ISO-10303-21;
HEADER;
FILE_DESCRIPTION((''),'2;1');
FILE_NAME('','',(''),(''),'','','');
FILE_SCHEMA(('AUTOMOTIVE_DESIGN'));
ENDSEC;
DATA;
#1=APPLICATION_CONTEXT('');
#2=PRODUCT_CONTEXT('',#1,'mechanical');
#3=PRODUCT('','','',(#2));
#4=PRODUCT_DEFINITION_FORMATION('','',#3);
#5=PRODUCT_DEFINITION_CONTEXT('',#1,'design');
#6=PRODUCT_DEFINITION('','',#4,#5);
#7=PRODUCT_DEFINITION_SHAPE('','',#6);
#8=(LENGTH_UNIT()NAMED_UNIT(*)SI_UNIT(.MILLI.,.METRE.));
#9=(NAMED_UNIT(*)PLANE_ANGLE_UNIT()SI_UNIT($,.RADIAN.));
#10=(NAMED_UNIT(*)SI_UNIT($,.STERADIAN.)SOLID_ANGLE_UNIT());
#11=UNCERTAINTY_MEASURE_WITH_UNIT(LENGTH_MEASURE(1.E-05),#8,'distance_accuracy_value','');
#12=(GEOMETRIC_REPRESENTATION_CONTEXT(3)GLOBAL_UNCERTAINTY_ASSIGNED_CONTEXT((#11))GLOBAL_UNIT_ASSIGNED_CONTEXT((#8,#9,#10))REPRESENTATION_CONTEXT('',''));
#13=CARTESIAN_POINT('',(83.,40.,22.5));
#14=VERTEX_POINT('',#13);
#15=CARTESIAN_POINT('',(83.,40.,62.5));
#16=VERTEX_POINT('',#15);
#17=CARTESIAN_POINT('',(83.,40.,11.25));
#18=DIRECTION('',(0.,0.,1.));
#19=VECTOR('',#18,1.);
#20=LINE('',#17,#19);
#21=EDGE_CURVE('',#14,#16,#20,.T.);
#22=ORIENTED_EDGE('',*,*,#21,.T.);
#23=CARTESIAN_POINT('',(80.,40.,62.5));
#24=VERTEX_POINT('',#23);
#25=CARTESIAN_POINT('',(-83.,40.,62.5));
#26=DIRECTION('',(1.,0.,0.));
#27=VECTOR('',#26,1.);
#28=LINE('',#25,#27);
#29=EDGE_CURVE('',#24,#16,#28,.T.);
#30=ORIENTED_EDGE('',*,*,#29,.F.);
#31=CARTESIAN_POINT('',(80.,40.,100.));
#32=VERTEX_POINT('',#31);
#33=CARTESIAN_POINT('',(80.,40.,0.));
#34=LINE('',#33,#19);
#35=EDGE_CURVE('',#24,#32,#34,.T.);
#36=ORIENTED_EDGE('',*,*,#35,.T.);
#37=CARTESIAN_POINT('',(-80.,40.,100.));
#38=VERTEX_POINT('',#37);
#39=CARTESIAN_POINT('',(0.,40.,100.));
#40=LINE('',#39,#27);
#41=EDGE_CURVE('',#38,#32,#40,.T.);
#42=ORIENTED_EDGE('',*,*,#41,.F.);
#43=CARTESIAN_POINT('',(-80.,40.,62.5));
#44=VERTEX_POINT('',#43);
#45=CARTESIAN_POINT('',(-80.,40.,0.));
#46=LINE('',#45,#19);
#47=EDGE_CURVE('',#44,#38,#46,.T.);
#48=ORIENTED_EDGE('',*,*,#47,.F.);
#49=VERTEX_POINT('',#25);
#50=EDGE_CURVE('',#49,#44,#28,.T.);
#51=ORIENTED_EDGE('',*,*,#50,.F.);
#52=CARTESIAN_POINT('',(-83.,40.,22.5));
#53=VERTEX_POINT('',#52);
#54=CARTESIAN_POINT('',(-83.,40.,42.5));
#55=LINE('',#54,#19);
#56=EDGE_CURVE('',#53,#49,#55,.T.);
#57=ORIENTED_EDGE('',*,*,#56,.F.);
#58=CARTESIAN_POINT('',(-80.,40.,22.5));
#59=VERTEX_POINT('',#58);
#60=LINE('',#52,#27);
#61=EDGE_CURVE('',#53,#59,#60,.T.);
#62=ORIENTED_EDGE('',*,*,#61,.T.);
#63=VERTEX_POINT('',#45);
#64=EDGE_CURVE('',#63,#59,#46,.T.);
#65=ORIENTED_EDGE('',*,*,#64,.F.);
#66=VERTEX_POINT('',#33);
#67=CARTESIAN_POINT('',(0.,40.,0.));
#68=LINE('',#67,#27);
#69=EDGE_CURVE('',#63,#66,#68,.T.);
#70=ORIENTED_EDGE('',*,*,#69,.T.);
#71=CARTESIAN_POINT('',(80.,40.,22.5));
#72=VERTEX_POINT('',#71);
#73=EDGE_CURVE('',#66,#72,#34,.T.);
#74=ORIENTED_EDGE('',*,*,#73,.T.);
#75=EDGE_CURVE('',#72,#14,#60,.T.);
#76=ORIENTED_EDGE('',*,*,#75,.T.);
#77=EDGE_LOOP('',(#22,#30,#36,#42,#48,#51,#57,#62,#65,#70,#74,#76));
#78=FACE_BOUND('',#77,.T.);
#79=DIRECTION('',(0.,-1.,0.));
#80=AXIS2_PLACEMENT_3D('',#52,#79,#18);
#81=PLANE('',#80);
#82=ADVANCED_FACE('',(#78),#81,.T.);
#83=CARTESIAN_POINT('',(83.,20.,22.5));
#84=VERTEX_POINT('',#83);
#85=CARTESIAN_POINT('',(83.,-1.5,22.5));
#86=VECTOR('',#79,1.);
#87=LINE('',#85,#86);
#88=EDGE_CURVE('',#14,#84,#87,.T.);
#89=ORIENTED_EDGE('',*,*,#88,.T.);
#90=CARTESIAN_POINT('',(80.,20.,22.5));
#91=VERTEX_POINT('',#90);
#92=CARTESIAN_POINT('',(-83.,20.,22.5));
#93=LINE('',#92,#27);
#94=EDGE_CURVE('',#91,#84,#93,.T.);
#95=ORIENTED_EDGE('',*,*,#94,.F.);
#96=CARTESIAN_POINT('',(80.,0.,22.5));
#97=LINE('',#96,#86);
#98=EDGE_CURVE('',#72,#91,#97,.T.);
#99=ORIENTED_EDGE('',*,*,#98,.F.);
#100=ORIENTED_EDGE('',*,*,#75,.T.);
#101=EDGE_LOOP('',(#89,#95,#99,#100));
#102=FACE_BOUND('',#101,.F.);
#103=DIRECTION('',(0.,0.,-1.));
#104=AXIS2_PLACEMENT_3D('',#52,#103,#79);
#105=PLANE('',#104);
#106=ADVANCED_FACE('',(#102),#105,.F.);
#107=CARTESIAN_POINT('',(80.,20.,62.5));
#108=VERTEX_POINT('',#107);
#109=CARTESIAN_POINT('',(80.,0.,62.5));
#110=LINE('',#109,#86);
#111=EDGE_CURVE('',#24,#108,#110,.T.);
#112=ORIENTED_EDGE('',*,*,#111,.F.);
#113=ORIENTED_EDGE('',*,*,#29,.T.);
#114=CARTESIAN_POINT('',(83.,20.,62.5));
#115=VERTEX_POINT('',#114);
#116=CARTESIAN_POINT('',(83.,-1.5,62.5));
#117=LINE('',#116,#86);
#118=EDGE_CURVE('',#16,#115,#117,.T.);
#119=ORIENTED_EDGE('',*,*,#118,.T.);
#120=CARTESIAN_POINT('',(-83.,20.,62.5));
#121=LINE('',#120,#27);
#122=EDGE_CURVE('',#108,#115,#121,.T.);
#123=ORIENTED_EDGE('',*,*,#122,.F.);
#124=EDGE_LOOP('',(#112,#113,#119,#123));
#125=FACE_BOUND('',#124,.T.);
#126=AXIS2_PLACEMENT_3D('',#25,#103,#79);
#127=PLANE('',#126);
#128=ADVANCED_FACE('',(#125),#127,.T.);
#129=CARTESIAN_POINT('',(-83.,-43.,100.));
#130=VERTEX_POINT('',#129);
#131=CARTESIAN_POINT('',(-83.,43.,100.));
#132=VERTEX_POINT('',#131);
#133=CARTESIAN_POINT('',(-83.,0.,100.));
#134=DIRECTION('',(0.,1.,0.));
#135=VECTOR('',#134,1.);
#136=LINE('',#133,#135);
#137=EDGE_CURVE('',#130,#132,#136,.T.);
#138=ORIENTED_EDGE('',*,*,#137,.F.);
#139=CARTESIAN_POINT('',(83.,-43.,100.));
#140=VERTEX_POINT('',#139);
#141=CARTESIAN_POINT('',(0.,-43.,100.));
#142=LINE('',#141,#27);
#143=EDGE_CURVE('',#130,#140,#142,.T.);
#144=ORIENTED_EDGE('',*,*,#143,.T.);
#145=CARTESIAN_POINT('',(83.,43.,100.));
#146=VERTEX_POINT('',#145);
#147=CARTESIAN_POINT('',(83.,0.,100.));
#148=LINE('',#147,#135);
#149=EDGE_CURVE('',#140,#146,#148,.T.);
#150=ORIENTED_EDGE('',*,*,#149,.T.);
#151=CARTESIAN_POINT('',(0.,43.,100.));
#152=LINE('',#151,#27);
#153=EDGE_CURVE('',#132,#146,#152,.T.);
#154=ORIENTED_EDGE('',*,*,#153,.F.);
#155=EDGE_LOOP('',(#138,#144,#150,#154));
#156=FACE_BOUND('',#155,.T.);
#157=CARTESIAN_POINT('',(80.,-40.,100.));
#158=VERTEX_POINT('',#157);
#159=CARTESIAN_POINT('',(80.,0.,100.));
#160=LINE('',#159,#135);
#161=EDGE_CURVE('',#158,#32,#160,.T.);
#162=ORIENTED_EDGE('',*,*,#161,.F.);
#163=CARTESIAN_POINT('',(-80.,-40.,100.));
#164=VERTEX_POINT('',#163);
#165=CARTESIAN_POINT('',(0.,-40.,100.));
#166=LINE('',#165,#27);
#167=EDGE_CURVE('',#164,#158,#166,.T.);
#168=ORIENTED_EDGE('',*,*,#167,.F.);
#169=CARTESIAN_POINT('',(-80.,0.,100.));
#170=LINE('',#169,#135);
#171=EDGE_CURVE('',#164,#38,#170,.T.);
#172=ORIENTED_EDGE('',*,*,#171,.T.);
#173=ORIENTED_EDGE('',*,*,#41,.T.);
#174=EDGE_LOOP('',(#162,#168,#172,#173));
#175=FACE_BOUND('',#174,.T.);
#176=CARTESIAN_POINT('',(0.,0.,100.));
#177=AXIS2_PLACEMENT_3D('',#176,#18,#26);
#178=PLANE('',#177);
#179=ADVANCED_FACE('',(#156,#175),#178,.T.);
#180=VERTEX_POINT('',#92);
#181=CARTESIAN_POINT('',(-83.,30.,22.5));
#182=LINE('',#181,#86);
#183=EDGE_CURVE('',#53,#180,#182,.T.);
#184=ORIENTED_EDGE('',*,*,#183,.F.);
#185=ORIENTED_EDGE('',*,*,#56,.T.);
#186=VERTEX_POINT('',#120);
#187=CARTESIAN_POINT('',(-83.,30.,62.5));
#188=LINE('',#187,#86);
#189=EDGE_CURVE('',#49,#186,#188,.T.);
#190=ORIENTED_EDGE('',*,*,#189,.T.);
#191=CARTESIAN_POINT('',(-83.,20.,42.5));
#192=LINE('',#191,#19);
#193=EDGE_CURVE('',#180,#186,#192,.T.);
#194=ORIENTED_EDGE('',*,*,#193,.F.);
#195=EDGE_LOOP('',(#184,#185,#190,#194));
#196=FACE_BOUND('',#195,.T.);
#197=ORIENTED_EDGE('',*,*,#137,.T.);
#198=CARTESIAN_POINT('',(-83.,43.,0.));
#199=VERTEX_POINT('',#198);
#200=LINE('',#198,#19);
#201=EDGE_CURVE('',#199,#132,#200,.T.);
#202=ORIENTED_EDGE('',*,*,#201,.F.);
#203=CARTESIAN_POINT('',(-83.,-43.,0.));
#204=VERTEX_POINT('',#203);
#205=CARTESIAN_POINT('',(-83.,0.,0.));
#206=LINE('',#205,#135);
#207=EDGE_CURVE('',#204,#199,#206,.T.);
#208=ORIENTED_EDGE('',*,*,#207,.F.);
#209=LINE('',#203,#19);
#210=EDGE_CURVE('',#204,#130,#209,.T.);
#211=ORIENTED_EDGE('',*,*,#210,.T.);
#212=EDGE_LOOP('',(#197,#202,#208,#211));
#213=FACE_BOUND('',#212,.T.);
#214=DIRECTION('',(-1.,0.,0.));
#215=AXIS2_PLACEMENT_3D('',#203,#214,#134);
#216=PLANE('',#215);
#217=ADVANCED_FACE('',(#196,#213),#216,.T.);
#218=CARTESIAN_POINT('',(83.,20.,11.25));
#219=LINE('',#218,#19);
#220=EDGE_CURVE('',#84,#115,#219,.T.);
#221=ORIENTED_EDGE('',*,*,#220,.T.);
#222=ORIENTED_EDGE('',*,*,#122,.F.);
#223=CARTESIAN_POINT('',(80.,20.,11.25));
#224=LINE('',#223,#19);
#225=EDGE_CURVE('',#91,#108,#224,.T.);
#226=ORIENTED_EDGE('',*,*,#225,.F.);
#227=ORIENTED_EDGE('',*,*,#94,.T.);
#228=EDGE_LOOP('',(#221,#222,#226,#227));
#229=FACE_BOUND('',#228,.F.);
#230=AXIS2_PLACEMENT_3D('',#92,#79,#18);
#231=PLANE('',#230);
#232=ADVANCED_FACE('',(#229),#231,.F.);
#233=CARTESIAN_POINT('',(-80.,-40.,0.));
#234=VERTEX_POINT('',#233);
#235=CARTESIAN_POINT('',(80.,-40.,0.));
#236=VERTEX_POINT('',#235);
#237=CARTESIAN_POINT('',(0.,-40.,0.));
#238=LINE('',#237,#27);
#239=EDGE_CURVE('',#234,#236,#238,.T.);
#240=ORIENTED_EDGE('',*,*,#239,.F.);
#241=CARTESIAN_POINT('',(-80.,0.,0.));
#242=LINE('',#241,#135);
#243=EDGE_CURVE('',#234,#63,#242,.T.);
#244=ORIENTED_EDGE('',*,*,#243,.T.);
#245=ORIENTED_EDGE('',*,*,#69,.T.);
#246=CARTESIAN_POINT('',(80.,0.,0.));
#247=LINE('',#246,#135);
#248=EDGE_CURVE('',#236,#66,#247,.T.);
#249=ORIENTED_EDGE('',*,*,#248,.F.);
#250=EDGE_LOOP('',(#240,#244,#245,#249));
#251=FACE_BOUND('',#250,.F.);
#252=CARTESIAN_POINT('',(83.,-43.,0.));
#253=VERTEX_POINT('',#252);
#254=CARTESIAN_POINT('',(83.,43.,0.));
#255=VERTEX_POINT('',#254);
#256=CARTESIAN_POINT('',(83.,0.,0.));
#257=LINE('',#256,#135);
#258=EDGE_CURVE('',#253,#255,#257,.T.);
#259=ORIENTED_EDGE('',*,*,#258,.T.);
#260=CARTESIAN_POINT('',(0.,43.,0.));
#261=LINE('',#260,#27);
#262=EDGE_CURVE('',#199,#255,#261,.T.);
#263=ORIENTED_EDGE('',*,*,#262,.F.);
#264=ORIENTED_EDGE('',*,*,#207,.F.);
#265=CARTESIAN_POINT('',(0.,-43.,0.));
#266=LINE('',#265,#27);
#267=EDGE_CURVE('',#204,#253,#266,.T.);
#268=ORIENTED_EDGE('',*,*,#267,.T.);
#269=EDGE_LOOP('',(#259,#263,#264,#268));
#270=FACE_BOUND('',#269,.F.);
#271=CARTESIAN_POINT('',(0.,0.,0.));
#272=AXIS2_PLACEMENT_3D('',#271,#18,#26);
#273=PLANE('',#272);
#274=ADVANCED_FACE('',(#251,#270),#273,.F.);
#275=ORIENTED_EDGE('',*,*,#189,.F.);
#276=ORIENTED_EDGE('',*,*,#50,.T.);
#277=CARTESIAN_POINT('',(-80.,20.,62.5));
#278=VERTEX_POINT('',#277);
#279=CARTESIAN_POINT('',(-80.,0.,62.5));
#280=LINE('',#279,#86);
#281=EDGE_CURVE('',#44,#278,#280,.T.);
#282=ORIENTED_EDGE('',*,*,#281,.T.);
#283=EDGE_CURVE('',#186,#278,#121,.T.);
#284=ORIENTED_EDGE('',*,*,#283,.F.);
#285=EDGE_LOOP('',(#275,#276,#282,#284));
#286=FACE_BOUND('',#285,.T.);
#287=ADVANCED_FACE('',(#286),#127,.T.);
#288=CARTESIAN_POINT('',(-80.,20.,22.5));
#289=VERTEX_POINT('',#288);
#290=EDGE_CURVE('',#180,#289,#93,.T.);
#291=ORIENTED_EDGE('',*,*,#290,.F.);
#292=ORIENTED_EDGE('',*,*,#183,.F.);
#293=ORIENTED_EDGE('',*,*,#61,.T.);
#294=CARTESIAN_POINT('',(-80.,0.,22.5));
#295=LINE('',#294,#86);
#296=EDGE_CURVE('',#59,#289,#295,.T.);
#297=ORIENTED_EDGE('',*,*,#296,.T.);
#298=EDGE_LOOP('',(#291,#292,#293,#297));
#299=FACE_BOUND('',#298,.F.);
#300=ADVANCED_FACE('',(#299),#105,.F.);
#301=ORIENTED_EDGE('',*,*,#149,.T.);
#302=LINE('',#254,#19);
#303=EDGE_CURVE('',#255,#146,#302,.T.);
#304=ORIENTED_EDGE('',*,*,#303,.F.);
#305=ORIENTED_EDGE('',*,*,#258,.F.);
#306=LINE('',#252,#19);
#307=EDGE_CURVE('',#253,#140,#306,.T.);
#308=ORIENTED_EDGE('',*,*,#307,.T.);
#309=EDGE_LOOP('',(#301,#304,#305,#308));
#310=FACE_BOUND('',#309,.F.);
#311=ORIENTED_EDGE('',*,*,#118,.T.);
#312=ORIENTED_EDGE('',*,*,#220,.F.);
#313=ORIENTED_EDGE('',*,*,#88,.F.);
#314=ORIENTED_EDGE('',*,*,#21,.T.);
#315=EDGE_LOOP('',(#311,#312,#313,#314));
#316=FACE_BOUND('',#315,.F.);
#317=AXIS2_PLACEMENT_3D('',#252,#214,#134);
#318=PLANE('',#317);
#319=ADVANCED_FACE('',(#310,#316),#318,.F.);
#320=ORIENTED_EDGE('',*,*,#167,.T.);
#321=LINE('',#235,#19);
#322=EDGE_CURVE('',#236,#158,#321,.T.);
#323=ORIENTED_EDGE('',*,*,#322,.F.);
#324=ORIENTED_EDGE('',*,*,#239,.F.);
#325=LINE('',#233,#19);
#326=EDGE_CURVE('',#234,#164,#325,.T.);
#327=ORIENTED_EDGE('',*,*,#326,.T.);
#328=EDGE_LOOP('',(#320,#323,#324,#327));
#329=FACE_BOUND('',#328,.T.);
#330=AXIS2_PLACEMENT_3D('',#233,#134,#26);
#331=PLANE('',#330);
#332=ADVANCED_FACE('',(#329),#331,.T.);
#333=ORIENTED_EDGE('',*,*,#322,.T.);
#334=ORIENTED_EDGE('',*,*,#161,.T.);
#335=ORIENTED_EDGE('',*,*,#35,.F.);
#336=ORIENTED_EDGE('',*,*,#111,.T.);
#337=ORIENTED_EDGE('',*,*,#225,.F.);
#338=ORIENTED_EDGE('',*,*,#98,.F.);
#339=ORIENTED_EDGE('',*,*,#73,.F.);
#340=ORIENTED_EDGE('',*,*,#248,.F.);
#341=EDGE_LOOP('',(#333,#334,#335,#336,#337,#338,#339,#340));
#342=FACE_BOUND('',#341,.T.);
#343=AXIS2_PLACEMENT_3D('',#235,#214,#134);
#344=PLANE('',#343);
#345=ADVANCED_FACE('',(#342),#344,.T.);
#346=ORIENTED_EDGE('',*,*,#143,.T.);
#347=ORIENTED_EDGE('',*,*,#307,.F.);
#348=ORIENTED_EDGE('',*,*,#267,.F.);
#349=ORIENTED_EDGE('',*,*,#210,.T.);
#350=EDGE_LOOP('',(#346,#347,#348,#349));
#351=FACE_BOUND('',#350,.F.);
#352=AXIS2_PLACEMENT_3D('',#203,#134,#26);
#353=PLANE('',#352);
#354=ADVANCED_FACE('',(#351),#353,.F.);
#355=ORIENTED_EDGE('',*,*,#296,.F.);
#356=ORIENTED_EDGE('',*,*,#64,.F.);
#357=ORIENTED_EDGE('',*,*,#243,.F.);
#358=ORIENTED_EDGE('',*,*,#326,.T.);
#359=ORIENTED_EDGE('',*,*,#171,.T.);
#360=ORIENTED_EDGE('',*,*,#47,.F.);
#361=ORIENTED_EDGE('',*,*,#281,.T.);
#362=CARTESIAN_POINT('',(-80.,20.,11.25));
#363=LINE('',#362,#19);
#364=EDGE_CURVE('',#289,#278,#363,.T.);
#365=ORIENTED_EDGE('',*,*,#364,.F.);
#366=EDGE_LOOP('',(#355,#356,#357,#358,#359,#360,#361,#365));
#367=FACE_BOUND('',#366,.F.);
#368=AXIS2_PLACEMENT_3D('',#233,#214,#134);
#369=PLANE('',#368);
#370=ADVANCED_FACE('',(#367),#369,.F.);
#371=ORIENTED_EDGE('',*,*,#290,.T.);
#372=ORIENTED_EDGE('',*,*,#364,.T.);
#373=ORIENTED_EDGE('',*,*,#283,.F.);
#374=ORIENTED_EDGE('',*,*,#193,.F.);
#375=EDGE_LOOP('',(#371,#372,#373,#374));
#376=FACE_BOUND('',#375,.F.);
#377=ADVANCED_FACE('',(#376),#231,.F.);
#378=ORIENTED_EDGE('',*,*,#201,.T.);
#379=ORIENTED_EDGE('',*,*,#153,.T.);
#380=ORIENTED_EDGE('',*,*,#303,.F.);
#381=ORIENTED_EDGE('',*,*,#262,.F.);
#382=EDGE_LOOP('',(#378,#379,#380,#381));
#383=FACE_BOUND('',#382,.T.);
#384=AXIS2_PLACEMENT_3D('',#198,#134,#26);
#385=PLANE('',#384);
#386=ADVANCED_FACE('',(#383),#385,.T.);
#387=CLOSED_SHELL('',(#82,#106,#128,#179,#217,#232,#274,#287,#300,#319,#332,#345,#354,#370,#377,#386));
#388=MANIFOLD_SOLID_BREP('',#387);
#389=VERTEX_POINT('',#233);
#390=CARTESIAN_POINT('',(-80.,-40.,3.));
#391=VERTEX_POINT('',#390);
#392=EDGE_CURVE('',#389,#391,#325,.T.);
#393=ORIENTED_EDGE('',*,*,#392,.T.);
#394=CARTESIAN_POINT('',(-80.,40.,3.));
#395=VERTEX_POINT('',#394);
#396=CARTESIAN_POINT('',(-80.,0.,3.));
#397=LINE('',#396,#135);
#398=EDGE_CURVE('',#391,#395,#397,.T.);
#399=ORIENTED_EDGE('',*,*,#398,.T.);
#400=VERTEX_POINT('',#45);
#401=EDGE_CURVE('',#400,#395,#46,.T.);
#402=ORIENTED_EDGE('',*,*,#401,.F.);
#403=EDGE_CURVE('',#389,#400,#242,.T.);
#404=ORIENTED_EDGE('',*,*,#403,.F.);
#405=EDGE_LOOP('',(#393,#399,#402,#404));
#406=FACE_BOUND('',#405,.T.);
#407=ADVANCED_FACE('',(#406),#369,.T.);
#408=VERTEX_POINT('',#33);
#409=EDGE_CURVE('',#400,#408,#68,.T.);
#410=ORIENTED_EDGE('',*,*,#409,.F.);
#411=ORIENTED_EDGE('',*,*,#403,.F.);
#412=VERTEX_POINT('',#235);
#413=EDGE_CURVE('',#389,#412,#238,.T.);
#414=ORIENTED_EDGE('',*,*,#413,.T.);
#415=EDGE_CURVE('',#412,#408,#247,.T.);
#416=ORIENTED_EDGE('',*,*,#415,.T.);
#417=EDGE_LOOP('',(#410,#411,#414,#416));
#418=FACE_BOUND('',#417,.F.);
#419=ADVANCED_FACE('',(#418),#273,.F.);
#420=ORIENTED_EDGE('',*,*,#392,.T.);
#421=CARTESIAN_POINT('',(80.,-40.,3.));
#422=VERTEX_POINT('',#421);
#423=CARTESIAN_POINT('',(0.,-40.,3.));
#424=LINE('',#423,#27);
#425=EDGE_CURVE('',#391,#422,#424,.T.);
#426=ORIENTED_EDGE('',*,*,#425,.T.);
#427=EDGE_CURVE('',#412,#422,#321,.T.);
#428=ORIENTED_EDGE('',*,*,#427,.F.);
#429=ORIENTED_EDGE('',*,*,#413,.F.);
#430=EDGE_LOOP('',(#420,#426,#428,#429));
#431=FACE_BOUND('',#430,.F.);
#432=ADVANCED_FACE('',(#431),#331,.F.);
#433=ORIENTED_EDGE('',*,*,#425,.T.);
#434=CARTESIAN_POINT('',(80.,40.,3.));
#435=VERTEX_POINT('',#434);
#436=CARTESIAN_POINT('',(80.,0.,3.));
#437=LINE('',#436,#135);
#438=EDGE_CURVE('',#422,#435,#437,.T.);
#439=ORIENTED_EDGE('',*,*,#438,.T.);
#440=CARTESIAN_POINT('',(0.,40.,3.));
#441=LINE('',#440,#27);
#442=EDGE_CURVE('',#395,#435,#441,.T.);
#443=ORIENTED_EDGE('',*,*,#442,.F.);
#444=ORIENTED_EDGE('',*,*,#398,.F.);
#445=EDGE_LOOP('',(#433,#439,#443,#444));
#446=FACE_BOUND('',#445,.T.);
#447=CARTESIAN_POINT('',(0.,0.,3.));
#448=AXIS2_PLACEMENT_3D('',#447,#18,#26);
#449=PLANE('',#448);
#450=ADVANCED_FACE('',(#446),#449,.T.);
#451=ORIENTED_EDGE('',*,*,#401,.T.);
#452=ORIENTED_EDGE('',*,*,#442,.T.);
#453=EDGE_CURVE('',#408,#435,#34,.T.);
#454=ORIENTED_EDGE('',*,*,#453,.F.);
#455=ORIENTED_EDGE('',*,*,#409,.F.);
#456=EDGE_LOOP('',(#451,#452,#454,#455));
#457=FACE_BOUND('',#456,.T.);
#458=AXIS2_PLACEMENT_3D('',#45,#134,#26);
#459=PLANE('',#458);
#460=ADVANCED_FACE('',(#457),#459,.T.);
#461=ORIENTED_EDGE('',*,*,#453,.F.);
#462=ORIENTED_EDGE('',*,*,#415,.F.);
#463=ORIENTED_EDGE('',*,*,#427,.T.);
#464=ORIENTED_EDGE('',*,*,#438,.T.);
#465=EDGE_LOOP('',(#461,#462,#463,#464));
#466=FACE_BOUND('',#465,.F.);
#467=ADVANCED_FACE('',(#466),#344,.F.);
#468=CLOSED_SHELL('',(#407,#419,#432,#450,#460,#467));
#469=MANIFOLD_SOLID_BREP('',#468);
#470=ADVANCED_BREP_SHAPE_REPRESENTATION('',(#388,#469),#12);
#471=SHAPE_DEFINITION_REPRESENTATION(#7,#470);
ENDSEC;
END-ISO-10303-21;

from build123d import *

# Parameters (mm, degrees)
F0_W     = 160
F0_H     = 80
F1_DEPTH = 3
F0_W_2   = 166
F0_H_2   = 86
F2_DEPTH = 100
F3_W     = 20
F3_H     = 40
F4_DEPTH = 166.001


with BuildPart() as f1:
    # F0 (on Top) → F1 (new body)
    with BuildSketch(Plane.XY):
        Rectangle(F0_W, F0_H)
    extrude(amount=F1_DEPTH)


with BuildPart() as f2:
    # F0 (on Top) → F2 (new body)
    with BuildSketch(Plane.XY):
        Rectangle(F0_W_2, F0_H_2)
        Rectangle(F0_W, F0_H, mode=Mode.SUBTRACT)
    extrude(amount=F2_DEPTH)

    # F3 (on face) → F4 (cut, through all)
    with BuildSketch(Plane(origin=(-83, 0, 0), x_dir=(0, -1, 0), z_dir=(-1, 0, 0))):
        with Locations((-30, 42.5)):
            Rectangle(F3_W, F3_H)
    extrude(amount=-F4_DEPTH, mode=Mode.SUBTRACT)


solid = Compound([f1.part, f2.part])
